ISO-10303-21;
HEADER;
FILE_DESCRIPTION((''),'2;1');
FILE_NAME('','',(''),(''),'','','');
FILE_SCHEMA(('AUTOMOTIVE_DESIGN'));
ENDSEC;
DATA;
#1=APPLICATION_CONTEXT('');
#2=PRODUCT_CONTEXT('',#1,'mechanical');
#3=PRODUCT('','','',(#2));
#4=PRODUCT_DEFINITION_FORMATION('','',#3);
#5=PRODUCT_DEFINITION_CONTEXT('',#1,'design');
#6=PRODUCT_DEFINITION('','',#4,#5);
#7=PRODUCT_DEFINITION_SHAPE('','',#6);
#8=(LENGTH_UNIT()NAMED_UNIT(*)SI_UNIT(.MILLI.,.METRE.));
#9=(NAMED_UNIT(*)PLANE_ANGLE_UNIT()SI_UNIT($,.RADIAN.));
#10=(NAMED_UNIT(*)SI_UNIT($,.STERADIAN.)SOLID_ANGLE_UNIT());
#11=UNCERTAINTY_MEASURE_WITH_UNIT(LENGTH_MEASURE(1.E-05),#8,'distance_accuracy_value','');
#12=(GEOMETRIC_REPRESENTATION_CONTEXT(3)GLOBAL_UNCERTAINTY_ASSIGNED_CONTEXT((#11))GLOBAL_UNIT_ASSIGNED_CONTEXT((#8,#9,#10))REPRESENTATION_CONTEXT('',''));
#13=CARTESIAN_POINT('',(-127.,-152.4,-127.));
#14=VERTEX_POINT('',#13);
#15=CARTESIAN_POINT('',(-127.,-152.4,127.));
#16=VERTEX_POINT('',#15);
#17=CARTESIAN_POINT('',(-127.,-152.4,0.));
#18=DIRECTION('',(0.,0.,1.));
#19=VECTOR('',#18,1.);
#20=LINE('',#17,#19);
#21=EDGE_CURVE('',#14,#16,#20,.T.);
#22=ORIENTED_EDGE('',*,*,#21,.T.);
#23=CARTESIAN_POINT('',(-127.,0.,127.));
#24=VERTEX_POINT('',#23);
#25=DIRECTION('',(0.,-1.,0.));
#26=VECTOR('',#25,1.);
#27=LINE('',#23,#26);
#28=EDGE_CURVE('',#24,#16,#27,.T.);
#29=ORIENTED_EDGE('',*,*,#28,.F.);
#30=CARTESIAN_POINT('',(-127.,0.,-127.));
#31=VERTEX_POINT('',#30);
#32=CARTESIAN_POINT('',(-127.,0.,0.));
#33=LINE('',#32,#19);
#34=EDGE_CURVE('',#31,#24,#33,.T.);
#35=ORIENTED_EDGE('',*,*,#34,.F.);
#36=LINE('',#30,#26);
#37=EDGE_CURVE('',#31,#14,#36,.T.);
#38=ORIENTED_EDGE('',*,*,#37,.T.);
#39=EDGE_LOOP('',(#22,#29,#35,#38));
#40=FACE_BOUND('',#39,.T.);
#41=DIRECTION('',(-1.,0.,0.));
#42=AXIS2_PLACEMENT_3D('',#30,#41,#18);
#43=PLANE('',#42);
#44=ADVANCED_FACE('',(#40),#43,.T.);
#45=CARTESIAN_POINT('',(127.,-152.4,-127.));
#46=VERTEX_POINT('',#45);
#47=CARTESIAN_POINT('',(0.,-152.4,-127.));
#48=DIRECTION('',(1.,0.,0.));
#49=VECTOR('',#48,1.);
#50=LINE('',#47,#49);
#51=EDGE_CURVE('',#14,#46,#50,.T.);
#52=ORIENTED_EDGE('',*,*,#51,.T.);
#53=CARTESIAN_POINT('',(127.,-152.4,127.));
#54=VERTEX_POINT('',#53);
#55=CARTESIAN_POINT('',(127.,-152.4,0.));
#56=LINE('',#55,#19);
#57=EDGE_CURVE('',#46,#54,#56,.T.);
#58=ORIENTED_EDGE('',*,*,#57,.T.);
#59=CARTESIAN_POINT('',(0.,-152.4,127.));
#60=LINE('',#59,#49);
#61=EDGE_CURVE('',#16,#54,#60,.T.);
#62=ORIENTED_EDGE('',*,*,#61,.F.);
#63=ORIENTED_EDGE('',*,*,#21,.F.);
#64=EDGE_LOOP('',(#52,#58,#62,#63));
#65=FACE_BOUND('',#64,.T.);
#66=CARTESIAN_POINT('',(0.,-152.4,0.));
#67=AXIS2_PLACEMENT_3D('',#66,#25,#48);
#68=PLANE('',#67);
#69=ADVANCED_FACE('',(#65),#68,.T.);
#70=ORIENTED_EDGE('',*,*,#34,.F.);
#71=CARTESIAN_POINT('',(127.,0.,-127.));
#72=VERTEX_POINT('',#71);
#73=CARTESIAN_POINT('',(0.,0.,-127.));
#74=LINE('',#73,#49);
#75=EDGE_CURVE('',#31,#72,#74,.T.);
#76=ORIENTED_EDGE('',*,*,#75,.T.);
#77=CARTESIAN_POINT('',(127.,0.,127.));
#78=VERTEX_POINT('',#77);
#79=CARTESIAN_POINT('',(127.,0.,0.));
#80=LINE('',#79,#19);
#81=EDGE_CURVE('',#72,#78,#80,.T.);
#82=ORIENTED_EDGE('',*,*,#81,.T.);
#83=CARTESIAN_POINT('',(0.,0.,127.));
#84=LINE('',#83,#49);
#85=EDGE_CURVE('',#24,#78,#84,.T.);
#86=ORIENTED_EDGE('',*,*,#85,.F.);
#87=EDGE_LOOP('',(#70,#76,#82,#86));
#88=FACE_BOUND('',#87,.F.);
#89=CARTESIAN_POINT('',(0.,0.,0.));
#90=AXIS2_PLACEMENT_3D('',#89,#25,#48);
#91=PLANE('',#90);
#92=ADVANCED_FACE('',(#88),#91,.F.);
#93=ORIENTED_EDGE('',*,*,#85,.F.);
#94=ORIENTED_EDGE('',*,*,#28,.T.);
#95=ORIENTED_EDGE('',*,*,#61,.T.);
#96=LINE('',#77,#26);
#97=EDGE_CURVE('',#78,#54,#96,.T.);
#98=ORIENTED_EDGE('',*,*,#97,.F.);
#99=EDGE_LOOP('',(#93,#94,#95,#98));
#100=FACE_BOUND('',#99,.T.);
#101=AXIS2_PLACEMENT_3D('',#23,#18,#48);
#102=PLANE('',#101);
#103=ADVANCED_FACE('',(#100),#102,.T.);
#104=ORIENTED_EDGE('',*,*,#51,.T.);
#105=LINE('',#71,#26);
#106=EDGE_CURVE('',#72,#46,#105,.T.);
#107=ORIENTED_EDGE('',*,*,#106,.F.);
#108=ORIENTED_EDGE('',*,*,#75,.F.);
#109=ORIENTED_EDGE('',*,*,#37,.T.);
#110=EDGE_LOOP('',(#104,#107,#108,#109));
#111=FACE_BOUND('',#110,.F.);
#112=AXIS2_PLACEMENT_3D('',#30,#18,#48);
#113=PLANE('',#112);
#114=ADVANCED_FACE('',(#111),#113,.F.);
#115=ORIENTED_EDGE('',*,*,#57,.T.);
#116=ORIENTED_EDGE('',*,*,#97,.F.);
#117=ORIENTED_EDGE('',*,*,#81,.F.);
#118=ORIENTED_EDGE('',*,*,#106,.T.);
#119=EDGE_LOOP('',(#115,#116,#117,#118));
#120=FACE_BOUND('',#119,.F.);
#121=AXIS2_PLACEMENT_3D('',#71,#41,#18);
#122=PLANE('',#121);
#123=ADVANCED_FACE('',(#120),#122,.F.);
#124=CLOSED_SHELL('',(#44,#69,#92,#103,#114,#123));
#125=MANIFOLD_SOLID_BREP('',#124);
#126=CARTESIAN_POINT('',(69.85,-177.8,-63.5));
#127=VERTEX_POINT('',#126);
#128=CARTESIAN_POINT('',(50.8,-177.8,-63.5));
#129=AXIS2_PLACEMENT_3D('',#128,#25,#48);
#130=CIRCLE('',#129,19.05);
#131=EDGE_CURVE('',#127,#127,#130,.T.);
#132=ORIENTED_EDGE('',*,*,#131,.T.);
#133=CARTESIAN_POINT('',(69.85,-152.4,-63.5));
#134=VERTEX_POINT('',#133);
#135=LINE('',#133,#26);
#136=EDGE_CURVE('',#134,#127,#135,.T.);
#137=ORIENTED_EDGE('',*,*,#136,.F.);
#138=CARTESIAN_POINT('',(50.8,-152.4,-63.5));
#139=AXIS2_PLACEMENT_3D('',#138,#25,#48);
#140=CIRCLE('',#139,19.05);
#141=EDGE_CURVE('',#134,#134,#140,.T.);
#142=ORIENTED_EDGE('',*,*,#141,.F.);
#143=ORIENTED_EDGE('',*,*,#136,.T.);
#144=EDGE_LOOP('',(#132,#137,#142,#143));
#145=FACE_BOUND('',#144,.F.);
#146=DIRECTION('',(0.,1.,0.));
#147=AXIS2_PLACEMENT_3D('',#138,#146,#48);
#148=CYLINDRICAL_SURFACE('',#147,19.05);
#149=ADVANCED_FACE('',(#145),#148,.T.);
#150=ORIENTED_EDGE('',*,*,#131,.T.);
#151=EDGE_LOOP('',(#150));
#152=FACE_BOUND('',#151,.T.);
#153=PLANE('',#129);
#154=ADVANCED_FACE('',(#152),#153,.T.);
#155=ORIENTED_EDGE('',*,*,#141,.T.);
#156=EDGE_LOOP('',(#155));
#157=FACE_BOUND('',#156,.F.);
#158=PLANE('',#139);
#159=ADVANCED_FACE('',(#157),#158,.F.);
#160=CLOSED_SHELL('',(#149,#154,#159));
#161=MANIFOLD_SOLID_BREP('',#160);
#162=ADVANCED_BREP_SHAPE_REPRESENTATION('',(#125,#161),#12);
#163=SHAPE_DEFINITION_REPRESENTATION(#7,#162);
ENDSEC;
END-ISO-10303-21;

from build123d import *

# Parameters (mm, degrees)
F0_W     = 254
F0_H     = 254
F1_DEPTH = 152.4
F2_R     = 19.05
F3_DEPTH = 25.4


with BuildPart() as f1:
    # F0 (on Front) → F1 (new body)
    with BuildSketch(Plane.XZ):
        Rectangle(F0_W, F0_H)
    extrude(amount=F1_DEPTH)


with BuildPart() as f3:
    # F2 (on face) → F3 (new body)
    with BuildSketch(Plane.XZ.offset(152.4)):
        with Locations((50.8, -63.5)):
            Circle(F2_R)
    extrude(amount=F3_DEPTH)


solid = Compound([f1.part, f3.part])
